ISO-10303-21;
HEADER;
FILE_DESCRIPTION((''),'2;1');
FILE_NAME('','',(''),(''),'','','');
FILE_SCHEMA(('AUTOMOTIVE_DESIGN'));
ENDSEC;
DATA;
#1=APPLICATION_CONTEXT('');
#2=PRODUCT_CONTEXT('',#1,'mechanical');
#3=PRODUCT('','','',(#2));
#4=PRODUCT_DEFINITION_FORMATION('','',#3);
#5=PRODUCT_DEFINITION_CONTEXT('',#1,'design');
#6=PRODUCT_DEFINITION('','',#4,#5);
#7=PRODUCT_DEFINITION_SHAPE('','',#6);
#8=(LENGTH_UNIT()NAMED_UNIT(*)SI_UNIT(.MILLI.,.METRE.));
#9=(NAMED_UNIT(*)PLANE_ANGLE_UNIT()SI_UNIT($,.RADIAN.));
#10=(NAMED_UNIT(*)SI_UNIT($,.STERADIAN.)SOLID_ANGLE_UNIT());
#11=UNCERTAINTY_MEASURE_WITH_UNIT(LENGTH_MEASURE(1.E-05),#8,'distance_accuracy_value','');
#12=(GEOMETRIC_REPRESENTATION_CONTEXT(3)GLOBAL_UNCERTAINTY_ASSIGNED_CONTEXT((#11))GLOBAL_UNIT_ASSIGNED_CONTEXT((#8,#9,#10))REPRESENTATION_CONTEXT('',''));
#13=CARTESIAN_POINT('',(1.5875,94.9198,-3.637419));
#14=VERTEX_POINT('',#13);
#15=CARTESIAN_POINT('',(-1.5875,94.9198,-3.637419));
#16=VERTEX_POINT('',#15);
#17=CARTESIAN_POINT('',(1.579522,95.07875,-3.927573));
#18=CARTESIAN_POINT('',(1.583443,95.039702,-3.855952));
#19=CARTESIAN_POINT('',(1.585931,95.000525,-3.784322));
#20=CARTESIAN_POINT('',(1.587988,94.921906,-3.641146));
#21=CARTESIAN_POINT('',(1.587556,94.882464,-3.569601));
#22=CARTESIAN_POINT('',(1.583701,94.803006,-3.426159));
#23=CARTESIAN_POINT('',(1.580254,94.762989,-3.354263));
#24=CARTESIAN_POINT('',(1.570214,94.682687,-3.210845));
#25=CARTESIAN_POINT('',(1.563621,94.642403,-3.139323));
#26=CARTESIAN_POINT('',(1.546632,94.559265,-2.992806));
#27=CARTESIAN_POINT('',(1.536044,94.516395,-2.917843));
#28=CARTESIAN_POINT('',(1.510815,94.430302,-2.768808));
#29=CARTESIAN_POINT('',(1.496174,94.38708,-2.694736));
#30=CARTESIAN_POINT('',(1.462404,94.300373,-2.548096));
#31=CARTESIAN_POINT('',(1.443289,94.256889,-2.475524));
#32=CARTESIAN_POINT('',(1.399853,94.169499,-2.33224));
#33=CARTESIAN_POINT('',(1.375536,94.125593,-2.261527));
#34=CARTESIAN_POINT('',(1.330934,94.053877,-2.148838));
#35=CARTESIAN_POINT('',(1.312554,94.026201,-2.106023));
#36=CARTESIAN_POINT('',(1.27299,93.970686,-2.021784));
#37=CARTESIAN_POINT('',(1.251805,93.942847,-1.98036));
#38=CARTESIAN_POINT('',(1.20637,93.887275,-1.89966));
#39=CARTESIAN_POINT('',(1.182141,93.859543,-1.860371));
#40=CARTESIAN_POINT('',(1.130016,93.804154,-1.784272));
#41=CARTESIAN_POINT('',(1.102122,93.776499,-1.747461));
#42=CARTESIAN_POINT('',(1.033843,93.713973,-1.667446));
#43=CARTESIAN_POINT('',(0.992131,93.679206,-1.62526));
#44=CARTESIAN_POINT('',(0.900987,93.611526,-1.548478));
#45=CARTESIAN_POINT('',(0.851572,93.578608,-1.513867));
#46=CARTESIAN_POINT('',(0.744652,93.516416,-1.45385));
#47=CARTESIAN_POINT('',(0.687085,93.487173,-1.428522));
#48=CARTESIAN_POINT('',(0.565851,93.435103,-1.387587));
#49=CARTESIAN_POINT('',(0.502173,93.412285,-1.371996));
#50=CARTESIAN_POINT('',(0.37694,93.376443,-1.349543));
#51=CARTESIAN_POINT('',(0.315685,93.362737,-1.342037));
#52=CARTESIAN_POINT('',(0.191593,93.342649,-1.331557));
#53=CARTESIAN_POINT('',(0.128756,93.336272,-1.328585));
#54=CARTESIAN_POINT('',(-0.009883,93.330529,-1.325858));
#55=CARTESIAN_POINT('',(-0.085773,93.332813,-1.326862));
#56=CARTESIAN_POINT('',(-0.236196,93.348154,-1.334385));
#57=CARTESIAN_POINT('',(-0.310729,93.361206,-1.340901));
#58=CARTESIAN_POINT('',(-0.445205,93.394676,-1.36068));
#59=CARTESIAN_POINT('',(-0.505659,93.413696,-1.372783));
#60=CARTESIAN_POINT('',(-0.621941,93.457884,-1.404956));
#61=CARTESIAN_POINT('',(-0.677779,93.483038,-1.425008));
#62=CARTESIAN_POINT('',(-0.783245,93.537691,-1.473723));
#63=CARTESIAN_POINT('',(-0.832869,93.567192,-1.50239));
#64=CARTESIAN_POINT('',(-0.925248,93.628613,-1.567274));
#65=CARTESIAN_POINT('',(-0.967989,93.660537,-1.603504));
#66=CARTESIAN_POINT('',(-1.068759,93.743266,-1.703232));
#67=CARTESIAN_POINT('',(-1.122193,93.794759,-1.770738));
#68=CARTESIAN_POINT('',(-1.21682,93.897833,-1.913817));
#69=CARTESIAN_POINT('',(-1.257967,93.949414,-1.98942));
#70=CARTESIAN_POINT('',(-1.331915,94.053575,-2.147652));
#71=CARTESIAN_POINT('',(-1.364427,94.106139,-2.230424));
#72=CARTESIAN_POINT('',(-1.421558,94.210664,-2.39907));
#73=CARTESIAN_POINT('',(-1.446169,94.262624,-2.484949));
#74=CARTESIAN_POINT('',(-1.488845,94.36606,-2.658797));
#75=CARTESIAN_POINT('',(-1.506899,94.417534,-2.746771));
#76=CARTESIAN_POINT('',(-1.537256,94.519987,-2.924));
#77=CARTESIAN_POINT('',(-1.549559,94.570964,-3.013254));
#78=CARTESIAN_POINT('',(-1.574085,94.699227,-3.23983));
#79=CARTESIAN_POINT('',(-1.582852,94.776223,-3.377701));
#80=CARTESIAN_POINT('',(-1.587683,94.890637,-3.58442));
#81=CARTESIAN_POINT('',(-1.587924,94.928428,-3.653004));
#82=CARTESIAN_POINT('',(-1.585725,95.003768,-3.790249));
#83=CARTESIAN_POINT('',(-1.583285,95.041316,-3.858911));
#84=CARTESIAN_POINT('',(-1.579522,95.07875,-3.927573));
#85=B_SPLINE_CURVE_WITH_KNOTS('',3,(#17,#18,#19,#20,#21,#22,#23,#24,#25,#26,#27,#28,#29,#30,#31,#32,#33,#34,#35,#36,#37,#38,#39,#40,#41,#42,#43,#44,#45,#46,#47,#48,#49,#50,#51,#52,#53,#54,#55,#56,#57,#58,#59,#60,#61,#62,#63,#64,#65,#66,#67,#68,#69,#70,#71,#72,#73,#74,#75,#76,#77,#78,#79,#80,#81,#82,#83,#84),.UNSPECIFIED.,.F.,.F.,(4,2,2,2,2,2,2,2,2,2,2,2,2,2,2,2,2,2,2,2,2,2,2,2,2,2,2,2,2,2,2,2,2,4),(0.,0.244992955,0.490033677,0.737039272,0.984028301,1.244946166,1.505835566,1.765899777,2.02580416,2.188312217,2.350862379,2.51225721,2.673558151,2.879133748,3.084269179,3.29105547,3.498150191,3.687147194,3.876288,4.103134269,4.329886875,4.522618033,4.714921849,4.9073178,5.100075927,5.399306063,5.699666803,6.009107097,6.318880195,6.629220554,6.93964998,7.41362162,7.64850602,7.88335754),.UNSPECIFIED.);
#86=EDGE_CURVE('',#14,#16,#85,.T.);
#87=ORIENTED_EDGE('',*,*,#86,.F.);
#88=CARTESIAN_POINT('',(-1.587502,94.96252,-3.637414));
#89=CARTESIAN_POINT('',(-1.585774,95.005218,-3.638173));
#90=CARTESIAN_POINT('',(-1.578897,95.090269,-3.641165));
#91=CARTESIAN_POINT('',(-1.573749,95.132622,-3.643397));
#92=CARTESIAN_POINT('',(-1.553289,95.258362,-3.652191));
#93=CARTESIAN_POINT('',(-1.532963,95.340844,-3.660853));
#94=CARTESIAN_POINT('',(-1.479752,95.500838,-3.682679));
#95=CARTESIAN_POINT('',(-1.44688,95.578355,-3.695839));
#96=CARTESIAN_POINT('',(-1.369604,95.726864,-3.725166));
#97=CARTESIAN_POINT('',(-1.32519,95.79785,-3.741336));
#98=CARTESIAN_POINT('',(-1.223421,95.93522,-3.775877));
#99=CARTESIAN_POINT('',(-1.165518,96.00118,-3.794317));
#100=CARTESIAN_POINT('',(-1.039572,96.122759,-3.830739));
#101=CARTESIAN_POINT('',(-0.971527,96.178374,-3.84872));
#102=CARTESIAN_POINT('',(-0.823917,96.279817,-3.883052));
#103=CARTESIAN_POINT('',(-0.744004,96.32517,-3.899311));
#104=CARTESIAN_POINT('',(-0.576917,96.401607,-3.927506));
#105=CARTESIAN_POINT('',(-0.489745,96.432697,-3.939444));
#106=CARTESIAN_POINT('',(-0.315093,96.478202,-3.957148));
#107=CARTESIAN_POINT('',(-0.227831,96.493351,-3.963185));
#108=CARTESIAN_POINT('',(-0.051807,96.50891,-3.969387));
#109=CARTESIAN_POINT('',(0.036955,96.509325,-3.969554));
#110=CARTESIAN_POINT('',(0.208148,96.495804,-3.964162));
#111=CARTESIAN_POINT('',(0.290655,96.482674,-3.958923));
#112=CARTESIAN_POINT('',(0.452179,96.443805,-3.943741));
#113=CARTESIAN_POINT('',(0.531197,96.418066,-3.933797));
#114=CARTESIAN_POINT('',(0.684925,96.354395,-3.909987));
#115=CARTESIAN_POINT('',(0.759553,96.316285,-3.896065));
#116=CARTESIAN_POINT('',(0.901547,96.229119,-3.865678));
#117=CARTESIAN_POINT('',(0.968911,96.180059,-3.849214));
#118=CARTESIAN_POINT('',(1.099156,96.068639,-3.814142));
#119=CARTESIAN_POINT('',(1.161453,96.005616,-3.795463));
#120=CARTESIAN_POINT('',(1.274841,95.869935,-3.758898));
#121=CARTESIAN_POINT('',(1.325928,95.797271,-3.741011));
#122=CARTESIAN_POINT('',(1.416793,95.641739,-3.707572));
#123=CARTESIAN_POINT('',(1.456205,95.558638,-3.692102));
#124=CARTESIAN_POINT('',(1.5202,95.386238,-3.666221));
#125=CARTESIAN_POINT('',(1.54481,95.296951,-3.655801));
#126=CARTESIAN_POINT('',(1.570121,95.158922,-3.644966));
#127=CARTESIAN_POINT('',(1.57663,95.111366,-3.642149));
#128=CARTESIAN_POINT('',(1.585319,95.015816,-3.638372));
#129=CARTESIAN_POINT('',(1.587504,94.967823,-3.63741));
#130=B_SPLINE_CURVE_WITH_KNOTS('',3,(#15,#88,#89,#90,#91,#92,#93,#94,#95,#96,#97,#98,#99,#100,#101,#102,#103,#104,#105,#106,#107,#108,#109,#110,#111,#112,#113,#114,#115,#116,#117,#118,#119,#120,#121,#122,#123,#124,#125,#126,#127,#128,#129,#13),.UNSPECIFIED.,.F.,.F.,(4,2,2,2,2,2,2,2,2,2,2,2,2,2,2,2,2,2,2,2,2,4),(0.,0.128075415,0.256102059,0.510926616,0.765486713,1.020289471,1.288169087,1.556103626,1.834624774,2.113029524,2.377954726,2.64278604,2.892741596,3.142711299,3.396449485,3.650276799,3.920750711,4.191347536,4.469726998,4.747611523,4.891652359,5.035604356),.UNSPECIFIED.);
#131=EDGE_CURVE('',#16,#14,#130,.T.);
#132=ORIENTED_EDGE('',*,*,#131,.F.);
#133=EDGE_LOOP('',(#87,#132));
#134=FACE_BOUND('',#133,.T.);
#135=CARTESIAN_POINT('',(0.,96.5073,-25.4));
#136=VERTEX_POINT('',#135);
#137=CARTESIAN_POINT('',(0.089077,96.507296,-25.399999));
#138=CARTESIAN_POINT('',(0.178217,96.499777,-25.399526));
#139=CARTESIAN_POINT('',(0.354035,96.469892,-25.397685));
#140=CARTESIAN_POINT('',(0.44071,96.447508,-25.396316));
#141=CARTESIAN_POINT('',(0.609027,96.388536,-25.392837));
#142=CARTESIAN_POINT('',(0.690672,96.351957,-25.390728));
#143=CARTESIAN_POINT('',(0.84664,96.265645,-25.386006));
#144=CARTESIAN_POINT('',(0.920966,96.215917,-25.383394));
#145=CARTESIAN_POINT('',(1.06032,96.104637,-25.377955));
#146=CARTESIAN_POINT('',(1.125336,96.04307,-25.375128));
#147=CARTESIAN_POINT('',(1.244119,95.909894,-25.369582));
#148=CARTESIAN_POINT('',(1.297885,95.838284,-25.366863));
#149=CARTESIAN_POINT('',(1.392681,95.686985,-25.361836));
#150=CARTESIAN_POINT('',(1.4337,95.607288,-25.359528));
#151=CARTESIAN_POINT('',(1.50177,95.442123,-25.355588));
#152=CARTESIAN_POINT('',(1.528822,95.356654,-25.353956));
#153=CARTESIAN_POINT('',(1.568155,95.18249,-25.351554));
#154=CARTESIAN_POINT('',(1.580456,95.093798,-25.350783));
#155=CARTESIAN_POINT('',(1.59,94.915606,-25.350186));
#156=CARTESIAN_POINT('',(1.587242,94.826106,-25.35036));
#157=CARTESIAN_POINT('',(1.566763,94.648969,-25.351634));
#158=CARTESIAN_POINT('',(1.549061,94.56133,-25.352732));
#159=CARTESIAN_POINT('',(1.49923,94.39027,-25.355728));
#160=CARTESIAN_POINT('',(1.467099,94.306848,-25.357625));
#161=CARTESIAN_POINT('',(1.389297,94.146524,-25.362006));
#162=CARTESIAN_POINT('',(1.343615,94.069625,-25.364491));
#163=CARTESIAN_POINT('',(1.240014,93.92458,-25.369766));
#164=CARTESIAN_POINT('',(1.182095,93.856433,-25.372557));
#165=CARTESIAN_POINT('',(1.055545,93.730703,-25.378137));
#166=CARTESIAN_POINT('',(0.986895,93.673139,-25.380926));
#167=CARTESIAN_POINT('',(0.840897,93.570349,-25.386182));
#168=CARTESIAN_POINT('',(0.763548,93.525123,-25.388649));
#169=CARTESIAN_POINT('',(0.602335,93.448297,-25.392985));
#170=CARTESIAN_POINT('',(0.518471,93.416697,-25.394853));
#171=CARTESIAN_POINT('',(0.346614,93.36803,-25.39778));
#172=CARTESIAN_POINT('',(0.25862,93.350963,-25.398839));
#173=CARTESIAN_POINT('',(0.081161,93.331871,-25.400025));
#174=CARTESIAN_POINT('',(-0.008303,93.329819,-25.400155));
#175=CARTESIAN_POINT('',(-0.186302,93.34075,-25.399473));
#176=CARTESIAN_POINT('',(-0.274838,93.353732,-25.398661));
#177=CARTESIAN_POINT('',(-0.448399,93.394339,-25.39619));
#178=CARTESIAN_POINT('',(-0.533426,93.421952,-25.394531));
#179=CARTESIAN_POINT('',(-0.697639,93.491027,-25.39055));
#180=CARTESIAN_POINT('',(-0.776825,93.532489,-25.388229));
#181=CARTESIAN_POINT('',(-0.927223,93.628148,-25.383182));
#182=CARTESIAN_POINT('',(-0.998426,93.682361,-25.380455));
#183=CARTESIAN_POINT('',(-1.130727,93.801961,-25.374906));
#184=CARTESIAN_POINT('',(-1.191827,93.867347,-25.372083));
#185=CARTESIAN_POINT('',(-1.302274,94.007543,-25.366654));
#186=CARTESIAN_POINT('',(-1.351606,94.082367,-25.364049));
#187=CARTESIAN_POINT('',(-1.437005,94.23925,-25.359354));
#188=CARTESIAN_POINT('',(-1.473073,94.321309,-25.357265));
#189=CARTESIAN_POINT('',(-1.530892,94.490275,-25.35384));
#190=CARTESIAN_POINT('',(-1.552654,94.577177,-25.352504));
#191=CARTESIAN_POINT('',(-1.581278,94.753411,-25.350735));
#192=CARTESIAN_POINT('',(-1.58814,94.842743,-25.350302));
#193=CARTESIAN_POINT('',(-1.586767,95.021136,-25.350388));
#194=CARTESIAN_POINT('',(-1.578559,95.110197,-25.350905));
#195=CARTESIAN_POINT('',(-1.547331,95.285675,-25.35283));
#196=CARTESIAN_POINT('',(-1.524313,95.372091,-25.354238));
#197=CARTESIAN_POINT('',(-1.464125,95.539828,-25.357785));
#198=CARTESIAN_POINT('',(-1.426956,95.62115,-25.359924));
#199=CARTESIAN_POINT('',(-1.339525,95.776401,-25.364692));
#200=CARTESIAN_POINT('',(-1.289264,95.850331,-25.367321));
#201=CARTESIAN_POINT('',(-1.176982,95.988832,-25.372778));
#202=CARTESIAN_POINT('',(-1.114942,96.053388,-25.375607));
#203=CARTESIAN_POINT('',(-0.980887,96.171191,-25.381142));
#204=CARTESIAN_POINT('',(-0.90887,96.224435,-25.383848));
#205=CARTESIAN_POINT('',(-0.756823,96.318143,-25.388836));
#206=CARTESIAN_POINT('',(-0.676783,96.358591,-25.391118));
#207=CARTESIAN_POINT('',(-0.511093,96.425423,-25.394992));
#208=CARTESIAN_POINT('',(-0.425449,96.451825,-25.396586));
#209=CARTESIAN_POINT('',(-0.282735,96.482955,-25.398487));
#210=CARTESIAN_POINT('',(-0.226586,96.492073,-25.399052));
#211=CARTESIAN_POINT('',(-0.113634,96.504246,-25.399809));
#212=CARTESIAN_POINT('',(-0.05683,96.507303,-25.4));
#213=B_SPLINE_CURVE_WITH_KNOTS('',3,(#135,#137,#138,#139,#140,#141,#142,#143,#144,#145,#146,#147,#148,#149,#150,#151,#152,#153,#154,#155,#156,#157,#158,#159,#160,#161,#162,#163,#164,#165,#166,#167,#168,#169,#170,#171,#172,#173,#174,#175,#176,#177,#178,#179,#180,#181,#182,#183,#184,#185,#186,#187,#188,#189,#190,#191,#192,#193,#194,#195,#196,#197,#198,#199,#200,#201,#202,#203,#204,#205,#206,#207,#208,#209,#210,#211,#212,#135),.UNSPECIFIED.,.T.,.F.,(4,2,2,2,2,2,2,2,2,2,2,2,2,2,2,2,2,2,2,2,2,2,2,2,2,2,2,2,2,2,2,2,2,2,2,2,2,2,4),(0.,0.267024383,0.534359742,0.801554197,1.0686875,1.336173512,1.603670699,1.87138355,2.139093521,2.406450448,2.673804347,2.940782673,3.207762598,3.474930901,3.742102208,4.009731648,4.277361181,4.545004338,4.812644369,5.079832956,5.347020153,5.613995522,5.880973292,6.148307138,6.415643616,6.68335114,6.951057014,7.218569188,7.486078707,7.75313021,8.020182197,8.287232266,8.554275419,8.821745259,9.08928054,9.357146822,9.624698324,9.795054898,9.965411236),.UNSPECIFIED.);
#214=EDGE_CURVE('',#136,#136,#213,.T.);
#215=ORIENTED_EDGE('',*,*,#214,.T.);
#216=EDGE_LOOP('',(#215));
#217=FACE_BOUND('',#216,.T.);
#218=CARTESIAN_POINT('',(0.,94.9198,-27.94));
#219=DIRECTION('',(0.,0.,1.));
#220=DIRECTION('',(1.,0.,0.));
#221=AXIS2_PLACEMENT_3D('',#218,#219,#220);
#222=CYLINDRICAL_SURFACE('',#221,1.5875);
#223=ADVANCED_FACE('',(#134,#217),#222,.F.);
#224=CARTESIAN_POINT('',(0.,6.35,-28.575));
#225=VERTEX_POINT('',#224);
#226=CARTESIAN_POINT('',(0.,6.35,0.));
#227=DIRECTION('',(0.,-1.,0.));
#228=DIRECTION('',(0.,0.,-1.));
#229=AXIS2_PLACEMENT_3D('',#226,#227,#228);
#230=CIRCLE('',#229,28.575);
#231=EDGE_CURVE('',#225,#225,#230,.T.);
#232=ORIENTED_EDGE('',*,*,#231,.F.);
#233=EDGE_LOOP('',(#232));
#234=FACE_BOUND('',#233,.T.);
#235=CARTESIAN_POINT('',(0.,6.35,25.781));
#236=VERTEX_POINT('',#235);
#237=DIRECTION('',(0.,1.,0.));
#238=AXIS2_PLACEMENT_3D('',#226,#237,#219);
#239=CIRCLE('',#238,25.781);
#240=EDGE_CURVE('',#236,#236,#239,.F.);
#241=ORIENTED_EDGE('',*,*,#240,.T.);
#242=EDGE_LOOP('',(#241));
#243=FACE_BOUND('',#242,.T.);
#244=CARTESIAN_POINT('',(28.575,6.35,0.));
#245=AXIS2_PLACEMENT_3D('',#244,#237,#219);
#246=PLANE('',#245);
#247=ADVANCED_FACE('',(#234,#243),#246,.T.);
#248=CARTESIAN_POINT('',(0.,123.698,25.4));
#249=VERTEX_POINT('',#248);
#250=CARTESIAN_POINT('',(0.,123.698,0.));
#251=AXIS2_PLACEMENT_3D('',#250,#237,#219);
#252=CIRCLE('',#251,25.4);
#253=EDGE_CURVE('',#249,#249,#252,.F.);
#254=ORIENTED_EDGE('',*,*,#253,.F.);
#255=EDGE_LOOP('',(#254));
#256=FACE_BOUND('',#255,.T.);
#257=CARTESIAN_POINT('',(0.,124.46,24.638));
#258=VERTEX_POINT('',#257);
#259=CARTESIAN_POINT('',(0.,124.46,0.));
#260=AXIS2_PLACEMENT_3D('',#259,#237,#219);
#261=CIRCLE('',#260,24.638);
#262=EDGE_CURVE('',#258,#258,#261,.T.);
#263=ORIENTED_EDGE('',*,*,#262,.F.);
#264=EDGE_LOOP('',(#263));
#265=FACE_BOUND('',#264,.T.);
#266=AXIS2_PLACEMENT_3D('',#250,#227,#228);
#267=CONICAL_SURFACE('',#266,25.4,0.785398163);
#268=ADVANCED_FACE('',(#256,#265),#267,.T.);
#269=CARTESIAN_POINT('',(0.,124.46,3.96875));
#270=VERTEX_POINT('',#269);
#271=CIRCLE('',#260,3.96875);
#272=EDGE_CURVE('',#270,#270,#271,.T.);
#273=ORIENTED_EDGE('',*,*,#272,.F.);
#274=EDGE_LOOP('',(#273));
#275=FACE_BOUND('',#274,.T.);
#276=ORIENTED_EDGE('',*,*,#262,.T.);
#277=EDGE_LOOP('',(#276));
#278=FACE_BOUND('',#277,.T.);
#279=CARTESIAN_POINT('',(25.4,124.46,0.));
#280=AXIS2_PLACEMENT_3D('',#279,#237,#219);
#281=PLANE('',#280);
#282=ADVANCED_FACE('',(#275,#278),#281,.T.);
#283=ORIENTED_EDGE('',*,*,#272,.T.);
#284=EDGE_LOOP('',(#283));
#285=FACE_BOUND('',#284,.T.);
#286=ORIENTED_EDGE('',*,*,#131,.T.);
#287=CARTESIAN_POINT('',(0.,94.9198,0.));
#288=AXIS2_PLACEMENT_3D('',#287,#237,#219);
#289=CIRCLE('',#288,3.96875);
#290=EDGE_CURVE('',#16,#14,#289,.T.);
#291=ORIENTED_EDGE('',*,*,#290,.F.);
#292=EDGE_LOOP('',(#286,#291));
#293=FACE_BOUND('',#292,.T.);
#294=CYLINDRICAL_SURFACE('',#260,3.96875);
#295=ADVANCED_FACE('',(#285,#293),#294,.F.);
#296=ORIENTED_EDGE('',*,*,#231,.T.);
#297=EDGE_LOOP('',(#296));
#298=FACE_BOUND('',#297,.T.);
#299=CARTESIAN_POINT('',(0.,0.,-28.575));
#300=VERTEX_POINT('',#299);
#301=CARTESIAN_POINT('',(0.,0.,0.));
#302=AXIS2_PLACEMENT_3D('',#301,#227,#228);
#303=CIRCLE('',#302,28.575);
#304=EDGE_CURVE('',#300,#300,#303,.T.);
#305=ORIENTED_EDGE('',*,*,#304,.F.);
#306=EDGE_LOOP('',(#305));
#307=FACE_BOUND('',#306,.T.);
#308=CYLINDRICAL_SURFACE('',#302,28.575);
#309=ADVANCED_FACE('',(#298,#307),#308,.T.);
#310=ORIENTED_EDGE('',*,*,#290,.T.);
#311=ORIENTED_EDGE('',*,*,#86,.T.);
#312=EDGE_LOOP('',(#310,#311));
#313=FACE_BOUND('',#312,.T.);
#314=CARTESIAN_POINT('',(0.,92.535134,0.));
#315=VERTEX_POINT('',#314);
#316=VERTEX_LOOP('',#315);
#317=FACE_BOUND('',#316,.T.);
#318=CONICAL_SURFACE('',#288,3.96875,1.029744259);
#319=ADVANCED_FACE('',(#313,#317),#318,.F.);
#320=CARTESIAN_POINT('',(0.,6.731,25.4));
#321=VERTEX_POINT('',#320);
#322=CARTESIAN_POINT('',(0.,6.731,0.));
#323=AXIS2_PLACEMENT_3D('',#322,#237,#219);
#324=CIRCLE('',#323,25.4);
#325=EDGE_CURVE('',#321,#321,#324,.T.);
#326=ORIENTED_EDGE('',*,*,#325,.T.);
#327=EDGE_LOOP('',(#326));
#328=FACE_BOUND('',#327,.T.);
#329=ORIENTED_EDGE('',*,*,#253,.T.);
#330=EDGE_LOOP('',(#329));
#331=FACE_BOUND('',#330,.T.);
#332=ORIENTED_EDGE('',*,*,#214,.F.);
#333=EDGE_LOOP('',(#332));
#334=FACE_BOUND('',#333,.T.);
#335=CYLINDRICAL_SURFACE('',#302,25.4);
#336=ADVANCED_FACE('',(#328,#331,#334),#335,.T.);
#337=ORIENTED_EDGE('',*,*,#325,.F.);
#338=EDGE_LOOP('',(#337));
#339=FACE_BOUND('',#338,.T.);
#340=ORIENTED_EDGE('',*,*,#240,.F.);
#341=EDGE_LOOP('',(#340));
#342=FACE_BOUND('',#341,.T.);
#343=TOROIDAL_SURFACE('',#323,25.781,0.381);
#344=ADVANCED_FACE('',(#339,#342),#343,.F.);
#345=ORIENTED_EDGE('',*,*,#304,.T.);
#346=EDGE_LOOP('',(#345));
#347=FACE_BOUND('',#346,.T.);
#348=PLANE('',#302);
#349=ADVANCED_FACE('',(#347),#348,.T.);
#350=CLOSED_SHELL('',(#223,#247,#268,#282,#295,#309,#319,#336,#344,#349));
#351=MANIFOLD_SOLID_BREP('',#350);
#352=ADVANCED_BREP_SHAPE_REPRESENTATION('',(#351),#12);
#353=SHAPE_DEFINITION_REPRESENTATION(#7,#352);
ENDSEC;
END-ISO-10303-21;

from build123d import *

# Parameters (mm, degrees)
F_3_8_16_TAPPED_HOLE1_D     = 7.9375
F_3_8_16_TAPPED_HOLE1_DEPTH = 29.5402
F_3_8_16_TAPPED_HOLE1_TIP   = 2.384665582
CHAMFER1_SIZE               = 0.762
FILLET1_R                   = 0.381
SKETCH4_R                   = 1.5875
CUT_EXTRUDE1_DEPTH          = 27.94


with BuildPart() as part:
    # Sketch1 → Revolve1 (revolve)
    with BuildSketch(Plane.XY, mode=Mode.PRIVATE) as revolve1_sk:
        Polygon((0, 0), (28.575, 0), (28.575, 6.35), (25.4, 6.35), (25.4, 124.46), (0, 124.46), align=None)
    revolve(revolve1_sk.sketch.rotate(Axis((0, 0, 0), (0, 1, 0)), 90), axis=Axis((0, 0, 0), (0, 1, 0)))  # turned: the seam where the file's is

    # 3/8-16 Tapped Hole1
    with Locations(Plane.ZX.offset(124.46)):
        with Locations((0, 0)):
            Hole(F_3_8_16_TAPPED_HOLE1_D / 2, depth=F_3_8_16_TAPPED_HOLE1_DEPTH)
            with Locations((0, 0, -(F_3_8_16_TAPPED_HOLE1_DEPTH + F_3_8_16_TAPPED_HOLE1_TIP / 2))):  # 118° drill point
                Cone(0, F_3_8_16_TAPPED_HOLE1_D / 2, F_3_8_16_TAPPED_HOLE1_TIP, mode=Mode.SUBTRACT)

    # Chamfer1
    chamfer1_edges = [part.edges().sort_by_distance(p)[0] for p in [
        (0, 124.46, 25.4),
    ]]
    chamfer(chamfer1_edges, length=CHAMFER1_SIZE)

    # Fillet1
    fillet1_edges = [part.edges().sort_by_distance(p)[0] for p in [
        (0, 6.35, 25.4),
    ]]
    fillet(fillet1_edges, radius=FILLET1_R)

    # Sketch4 → Cut-Extrude1 (cut)
    with BuildSketch(Plane.XY):
        with Locations((0, 94.9198)):
            Circle(SKETCH4_R)
    extrude(amount=-CUT_EXTRUDE1_DEPTH, mode=Mode.SUBTRACT)


solid = part.part
